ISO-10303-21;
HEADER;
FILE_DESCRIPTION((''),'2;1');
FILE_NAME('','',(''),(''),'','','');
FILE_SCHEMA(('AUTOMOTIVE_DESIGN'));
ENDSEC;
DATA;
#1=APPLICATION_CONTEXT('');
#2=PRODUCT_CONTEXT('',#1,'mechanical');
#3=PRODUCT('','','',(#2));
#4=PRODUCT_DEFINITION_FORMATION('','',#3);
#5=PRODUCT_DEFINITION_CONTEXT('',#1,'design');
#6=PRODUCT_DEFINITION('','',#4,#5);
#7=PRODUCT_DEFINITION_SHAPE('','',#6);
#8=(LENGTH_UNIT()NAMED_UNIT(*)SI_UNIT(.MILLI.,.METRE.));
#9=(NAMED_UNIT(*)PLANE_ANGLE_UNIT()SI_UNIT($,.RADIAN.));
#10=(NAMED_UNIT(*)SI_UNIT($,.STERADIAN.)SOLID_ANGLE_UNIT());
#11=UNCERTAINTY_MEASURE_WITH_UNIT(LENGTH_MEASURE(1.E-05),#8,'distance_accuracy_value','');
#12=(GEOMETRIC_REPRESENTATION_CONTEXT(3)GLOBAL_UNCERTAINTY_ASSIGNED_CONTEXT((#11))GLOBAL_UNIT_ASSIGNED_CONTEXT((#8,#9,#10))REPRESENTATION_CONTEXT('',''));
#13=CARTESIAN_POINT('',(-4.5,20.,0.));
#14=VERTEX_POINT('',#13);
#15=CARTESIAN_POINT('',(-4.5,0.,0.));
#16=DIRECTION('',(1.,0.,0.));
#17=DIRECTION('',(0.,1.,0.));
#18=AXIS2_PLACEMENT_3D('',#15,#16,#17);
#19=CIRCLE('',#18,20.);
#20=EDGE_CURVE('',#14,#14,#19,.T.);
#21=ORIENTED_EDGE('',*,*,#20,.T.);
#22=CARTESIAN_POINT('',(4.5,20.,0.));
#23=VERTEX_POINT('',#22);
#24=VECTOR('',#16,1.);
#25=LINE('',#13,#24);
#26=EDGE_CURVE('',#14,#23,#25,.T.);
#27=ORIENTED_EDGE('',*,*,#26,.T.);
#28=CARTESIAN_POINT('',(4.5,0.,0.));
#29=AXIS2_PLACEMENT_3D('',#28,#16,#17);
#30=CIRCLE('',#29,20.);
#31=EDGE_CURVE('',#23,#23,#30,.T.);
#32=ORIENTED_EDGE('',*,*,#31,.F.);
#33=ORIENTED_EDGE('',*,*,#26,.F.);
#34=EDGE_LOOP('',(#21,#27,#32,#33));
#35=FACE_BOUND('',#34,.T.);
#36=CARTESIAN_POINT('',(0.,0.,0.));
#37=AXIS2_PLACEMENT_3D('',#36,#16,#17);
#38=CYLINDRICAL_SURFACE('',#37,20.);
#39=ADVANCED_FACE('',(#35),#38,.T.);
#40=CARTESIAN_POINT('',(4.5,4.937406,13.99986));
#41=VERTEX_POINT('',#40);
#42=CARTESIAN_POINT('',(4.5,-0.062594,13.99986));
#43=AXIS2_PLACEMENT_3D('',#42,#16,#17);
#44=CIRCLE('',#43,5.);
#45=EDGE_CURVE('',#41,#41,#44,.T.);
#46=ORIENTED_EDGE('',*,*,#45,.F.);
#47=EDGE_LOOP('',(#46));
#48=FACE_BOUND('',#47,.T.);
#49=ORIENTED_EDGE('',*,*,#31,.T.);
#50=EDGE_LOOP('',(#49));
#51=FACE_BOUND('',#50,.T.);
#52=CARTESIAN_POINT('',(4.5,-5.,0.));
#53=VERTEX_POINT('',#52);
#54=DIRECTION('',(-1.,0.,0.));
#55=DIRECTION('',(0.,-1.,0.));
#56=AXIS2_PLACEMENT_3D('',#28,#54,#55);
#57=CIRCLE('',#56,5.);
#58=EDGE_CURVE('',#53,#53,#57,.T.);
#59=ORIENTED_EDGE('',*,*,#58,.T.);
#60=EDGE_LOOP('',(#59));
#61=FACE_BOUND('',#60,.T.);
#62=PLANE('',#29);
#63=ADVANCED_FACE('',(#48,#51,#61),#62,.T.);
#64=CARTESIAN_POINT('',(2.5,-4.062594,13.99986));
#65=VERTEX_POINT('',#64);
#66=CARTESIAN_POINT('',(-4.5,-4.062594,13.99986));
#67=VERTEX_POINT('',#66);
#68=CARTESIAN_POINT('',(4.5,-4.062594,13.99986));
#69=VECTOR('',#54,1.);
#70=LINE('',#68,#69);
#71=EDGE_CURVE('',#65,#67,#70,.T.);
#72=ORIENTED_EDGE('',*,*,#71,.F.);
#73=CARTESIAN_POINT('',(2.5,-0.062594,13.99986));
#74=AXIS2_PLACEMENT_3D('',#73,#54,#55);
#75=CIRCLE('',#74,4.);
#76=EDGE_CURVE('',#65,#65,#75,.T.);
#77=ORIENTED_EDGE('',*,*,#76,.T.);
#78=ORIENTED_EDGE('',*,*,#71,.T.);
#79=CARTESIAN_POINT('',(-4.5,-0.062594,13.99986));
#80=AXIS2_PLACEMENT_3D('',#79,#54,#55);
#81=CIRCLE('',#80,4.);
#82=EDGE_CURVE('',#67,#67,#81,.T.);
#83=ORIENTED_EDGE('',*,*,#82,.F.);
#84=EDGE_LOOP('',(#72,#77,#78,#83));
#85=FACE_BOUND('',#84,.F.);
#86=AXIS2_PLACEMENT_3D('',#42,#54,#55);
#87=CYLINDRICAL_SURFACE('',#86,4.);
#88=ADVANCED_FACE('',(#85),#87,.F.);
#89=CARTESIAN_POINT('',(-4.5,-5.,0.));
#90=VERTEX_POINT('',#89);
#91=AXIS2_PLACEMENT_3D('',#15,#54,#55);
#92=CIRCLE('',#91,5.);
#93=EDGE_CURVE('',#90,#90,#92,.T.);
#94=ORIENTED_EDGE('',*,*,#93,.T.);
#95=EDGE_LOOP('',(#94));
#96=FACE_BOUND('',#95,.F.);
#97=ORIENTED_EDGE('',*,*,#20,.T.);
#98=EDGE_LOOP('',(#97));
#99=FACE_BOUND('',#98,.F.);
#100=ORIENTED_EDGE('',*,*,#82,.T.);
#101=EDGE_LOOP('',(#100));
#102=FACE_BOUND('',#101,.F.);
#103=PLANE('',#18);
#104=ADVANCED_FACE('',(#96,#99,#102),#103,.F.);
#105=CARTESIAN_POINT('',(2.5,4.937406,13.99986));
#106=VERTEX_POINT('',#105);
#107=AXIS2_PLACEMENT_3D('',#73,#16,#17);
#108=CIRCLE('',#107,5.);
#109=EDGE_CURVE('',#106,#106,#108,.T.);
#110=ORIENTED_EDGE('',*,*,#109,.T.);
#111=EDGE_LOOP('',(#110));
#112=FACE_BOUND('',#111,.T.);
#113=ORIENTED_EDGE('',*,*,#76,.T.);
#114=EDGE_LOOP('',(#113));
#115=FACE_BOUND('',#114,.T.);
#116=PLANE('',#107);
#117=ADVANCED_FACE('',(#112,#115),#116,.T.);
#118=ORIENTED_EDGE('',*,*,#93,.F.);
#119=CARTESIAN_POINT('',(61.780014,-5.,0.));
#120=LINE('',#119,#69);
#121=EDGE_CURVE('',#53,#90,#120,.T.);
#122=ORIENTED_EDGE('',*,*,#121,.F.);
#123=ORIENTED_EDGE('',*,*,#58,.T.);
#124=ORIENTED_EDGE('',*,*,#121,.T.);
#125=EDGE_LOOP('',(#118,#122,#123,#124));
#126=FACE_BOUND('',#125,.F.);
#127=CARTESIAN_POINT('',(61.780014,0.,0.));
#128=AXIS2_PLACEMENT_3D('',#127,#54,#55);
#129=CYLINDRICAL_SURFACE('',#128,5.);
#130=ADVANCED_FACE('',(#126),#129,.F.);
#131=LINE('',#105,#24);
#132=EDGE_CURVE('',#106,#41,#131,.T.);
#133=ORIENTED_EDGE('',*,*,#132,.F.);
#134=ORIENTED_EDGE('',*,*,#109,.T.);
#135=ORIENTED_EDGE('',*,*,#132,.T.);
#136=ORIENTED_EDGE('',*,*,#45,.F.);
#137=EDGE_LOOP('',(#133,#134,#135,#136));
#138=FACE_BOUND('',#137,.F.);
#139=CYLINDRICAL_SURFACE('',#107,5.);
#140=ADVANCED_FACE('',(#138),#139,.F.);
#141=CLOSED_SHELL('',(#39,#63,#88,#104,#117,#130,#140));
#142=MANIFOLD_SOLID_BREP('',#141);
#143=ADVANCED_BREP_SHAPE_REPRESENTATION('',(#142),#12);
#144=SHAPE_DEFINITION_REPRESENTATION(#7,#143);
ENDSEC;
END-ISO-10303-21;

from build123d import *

# Parameters (mm, degrees)
F0_R           = 20
F1_DEPTH       = 4.5
F3_D           = 10
F4_D           = 8
F4_CBORE_D     = 10
F4_CBORE_DEPTH = 2


with BuildPart() as f1:
    # F0 (on Right) → F1 (new body, symmetric)
    with BuildSketch(Plane.YZ):
        Circle(F0_R)
    extrude(amount=F1_DEPTH, both=True)

    # F3 (through all)
    with Locations(Plane.YZ.offset(4.5)):
        with Locations((0, 0)):
            Hole(F3_D / 2)

    # F4 (through all)
    with Locations(Plane.YZ.offset(4.5)):
        with Locations((-0.062594, 13.99986)):
            CounterBoreHole(F4_D / 2, F4_CBORE_D / 2, F4_CBORE_DEPTH)


solid = f1.part
